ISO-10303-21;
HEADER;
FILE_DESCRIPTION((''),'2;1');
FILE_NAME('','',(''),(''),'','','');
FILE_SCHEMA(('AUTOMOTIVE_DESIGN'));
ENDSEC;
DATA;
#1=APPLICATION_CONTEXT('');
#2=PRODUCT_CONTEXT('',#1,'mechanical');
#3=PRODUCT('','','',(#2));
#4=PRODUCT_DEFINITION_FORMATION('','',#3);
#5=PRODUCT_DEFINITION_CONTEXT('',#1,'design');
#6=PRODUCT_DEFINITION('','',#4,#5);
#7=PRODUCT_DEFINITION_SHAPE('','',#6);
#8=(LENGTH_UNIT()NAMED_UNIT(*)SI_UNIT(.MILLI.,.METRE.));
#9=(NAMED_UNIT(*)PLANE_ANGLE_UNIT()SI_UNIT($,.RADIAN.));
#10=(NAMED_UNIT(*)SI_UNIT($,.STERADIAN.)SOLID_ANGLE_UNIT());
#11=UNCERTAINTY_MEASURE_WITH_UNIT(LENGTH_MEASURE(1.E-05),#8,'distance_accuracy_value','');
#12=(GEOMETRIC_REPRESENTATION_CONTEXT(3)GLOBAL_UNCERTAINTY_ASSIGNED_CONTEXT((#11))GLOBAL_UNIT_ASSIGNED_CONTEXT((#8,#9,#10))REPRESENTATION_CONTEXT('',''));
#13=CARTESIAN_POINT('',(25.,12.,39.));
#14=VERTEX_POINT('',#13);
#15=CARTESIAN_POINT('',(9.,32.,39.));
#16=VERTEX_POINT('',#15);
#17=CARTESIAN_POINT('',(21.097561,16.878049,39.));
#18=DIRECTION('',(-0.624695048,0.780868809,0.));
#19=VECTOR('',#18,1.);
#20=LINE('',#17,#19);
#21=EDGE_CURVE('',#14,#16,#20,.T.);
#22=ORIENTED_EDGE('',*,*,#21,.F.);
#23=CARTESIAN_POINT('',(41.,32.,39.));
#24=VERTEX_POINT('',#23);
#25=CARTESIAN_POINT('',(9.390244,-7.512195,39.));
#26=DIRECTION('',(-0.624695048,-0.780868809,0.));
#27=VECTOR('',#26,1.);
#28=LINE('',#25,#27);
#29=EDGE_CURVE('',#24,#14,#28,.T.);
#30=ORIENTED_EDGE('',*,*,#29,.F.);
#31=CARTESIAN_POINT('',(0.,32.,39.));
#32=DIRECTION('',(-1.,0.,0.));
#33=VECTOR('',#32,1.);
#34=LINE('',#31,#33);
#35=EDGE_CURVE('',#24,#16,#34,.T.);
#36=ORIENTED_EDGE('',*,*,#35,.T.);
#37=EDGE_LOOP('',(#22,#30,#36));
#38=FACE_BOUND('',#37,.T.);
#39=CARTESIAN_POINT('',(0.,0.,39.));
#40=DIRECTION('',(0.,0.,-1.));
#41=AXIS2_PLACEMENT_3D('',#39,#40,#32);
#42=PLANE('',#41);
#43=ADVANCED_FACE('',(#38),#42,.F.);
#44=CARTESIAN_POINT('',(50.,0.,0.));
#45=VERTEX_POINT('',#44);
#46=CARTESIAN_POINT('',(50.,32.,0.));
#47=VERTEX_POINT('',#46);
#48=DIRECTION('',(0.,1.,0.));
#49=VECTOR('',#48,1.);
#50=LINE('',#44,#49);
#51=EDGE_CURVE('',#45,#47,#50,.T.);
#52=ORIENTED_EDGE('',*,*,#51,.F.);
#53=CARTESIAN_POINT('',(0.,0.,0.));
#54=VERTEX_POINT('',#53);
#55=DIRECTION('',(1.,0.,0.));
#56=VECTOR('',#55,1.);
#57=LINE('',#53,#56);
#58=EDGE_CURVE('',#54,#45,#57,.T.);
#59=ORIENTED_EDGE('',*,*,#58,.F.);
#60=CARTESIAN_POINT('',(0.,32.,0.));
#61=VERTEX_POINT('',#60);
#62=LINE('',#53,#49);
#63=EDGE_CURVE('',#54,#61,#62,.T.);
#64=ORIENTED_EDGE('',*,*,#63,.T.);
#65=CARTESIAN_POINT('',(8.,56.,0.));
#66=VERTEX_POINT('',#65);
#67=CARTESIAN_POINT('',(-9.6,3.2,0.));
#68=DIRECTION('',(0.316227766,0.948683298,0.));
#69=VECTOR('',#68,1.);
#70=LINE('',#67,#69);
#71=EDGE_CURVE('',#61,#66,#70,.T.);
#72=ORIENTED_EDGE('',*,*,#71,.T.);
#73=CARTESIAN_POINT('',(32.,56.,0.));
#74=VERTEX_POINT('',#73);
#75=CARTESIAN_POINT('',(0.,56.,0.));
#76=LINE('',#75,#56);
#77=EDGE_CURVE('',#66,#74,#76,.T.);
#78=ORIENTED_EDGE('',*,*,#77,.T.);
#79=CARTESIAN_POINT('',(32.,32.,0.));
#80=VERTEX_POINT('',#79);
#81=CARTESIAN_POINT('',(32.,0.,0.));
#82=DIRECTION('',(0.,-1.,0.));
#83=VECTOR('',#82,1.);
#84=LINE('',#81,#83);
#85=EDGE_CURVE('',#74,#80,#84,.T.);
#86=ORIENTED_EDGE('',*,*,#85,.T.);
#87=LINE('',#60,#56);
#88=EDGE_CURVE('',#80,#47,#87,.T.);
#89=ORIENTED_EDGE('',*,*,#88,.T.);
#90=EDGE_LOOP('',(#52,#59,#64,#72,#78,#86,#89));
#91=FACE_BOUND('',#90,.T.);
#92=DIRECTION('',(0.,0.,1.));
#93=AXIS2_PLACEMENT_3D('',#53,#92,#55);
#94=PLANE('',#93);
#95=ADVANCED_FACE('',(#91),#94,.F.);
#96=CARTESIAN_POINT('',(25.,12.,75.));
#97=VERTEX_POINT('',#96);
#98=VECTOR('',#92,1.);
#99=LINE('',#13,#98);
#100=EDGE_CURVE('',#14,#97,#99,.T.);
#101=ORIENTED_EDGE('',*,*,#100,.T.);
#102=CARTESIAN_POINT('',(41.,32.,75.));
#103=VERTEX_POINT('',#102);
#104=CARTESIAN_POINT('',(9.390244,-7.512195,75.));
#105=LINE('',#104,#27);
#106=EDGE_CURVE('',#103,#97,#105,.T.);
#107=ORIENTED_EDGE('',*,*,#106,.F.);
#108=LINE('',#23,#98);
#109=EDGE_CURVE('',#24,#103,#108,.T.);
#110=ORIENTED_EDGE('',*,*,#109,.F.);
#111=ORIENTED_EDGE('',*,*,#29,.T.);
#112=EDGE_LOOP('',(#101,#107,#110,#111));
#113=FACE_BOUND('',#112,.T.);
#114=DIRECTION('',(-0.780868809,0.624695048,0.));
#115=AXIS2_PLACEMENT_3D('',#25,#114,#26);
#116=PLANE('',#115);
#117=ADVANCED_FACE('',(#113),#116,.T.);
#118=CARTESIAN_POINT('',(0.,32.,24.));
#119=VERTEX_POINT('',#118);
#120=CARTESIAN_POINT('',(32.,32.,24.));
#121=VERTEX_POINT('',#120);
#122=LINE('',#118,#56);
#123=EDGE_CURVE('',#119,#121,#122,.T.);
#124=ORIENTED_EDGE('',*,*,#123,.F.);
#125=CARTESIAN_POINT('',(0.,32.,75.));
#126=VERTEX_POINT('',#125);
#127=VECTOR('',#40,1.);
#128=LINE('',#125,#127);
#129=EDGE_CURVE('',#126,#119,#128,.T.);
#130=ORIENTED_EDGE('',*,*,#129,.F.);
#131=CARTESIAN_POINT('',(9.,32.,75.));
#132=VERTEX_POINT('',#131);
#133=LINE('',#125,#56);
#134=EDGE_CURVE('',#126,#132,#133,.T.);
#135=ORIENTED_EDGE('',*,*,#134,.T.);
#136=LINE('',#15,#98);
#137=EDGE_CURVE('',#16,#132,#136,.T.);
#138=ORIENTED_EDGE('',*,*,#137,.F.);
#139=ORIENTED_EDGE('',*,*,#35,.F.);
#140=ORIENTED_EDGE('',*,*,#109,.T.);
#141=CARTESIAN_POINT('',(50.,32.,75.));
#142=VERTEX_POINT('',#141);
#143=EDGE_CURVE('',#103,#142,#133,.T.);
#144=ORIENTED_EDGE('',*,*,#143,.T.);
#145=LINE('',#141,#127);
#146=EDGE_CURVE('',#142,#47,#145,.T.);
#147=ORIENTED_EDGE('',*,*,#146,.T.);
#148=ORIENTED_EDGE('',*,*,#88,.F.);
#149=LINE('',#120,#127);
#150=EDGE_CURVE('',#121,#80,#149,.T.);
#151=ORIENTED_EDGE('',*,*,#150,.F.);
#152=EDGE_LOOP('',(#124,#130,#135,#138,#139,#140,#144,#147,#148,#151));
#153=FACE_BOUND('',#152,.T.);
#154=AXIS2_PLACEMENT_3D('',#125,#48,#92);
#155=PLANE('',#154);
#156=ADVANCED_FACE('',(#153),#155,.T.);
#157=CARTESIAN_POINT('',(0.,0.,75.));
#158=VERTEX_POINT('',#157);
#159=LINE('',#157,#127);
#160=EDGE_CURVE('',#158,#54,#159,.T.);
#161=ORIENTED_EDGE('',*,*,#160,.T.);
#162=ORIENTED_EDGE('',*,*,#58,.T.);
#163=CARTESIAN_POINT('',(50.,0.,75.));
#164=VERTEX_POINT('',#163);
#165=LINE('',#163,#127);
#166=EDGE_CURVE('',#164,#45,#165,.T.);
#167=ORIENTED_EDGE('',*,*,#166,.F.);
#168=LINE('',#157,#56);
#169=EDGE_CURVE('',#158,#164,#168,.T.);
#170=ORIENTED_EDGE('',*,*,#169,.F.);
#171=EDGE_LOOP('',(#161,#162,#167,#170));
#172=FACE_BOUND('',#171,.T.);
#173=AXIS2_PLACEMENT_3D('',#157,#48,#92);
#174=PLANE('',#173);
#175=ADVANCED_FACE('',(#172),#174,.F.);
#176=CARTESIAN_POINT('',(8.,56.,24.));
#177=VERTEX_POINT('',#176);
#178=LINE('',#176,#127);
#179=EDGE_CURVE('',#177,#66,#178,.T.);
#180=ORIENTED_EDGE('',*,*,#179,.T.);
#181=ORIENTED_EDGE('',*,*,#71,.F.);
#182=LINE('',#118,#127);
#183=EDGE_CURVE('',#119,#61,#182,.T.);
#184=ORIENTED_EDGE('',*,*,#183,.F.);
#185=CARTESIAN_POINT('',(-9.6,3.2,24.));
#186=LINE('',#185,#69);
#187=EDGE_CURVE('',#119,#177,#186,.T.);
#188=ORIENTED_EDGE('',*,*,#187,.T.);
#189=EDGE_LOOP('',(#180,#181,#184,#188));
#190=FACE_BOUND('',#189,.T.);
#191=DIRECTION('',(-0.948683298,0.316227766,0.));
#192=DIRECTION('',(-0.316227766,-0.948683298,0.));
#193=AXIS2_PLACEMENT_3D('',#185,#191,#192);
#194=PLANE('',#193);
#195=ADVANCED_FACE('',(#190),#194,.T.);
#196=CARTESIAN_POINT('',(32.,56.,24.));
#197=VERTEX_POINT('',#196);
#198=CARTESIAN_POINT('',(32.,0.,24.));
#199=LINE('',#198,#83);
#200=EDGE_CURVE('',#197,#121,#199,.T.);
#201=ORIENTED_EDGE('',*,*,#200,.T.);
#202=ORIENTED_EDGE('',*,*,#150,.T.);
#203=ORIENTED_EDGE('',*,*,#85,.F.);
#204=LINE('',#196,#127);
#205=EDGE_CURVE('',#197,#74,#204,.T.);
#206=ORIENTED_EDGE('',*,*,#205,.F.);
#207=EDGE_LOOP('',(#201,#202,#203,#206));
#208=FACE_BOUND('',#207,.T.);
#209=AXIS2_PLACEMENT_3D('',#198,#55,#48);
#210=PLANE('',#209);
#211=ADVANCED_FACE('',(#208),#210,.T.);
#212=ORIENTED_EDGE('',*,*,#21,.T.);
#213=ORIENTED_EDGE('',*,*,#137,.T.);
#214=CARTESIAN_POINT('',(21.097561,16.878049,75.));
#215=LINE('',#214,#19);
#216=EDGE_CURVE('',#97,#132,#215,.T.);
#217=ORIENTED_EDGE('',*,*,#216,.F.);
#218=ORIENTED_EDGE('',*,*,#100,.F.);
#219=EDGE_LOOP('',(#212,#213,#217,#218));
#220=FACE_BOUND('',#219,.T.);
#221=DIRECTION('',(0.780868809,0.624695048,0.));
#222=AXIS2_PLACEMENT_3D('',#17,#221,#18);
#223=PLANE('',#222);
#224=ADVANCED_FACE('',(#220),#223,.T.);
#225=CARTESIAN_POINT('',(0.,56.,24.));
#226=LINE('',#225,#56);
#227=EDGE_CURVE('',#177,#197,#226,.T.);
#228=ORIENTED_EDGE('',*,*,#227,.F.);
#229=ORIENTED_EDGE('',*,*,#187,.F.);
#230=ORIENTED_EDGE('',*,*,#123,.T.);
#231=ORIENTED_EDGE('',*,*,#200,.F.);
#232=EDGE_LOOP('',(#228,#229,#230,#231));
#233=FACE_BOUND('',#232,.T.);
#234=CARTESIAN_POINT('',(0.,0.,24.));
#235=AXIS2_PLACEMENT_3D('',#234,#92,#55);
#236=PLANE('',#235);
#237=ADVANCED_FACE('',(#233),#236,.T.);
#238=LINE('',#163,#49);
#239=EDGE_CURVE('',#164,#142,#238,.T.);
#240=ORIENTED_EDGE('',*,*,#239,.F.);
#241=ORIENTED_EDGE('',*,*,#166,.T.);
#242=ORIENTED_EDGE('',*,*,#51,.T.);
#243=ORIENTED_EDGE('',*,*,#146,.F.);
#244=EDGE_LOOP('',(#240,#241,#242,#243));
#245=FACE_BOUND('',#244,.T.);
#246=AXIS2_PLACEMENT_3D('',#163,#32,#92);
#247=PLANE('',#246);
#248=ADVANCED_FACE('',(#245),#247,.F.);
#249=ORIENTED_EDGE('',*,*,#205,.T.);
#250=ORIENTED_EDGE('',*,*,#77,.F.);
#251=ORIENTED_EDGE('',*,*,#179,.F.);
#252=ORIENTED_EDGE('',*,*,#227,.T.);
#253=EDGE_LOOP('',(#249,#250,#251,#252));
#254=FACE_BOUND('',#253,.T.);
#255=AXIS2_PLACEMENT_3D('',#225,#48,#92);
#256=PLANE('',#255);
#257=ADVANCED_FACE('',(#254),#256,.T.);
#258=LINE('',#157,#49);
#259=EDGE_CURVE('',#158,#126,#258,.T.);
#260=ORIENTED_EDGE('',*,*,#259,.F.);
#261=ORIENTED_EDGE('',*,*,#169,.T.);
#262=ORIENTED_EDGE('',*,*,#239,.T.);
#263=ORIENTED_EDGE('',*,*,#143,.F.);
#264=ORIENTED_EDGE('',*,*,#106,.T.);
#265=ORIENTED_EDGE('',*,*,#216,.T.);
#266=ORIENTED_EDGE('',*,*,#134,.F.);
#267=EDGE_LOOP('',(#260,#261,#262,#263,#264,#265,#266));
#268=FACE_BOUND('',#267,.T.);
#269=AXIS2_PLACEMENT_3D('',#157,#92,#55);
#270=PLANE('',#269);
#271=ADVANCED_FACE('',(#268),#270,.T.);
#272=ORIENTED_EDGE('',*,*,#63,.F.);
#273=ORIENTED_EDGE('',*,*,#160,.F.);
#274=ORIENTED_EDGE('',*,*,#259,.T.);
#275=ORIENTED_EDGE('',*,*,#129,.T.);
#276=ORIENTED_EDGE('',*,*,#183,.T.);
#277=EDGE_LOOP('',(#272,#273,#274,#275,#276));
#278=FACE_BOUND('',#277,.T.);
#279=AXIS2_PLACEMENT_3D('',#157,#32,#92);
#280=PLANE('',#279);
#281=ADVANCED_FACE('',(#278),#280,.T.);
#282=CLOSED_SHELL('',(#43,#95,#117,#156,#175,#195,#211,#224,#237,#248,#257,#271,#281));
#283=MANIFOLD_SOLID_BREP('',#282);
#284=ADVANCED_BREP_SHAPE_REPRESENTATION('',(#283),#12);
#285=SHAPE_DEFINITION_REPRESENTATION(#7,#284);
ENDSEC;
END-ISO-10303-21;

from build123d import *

# Parameters (mm, degrees)
BOSS_EXTRUDE1_DEPTH = 75
BOSS_EXTRUDE2_DEPTH = 24
CUT_EXTRUDE1_START  = 75
CUT_EXTRUDE1_DEPTH  = 36


with BuildPart() as part:
    # Sketch1 → Boss-Extrude1 (new body)
    with BuildSketch(Plane.XY):
        Polygon((25, 12), (9, 32), (0, 32), (0, 0), (50, 0), (50, 32), (41, 32), align=None)
        Polygon((32, 32), (9, 32), (25, 12), (41, 32), align=None)
    extrude(amount=BOSS_EXTRUDE1_DEPTH)

    # Sketch1<3> → Boss-Extrude2 (add)
    with BuildSketch(Plane.XY):
        Polygon((0, 32), (9, 32), (32, 32), (32, 56), (8, 56), align=None)
    extrude(amount=BOSS_EXTRUDE2_DEPTH)

    # Sketch1<4> → Cut-Extrude1 (cut)
    with BuildSketch(Plane.XY.offset(CUT_EXTRUDE1_START)):
        Polygon((32, 32), (9, 32), (25, 12), (41, 32), align=None)
    extrude(amount=-CUT_EXTRUDE1_DEPTH, mode=Mode.SUBTRACT)


solid = part.part
